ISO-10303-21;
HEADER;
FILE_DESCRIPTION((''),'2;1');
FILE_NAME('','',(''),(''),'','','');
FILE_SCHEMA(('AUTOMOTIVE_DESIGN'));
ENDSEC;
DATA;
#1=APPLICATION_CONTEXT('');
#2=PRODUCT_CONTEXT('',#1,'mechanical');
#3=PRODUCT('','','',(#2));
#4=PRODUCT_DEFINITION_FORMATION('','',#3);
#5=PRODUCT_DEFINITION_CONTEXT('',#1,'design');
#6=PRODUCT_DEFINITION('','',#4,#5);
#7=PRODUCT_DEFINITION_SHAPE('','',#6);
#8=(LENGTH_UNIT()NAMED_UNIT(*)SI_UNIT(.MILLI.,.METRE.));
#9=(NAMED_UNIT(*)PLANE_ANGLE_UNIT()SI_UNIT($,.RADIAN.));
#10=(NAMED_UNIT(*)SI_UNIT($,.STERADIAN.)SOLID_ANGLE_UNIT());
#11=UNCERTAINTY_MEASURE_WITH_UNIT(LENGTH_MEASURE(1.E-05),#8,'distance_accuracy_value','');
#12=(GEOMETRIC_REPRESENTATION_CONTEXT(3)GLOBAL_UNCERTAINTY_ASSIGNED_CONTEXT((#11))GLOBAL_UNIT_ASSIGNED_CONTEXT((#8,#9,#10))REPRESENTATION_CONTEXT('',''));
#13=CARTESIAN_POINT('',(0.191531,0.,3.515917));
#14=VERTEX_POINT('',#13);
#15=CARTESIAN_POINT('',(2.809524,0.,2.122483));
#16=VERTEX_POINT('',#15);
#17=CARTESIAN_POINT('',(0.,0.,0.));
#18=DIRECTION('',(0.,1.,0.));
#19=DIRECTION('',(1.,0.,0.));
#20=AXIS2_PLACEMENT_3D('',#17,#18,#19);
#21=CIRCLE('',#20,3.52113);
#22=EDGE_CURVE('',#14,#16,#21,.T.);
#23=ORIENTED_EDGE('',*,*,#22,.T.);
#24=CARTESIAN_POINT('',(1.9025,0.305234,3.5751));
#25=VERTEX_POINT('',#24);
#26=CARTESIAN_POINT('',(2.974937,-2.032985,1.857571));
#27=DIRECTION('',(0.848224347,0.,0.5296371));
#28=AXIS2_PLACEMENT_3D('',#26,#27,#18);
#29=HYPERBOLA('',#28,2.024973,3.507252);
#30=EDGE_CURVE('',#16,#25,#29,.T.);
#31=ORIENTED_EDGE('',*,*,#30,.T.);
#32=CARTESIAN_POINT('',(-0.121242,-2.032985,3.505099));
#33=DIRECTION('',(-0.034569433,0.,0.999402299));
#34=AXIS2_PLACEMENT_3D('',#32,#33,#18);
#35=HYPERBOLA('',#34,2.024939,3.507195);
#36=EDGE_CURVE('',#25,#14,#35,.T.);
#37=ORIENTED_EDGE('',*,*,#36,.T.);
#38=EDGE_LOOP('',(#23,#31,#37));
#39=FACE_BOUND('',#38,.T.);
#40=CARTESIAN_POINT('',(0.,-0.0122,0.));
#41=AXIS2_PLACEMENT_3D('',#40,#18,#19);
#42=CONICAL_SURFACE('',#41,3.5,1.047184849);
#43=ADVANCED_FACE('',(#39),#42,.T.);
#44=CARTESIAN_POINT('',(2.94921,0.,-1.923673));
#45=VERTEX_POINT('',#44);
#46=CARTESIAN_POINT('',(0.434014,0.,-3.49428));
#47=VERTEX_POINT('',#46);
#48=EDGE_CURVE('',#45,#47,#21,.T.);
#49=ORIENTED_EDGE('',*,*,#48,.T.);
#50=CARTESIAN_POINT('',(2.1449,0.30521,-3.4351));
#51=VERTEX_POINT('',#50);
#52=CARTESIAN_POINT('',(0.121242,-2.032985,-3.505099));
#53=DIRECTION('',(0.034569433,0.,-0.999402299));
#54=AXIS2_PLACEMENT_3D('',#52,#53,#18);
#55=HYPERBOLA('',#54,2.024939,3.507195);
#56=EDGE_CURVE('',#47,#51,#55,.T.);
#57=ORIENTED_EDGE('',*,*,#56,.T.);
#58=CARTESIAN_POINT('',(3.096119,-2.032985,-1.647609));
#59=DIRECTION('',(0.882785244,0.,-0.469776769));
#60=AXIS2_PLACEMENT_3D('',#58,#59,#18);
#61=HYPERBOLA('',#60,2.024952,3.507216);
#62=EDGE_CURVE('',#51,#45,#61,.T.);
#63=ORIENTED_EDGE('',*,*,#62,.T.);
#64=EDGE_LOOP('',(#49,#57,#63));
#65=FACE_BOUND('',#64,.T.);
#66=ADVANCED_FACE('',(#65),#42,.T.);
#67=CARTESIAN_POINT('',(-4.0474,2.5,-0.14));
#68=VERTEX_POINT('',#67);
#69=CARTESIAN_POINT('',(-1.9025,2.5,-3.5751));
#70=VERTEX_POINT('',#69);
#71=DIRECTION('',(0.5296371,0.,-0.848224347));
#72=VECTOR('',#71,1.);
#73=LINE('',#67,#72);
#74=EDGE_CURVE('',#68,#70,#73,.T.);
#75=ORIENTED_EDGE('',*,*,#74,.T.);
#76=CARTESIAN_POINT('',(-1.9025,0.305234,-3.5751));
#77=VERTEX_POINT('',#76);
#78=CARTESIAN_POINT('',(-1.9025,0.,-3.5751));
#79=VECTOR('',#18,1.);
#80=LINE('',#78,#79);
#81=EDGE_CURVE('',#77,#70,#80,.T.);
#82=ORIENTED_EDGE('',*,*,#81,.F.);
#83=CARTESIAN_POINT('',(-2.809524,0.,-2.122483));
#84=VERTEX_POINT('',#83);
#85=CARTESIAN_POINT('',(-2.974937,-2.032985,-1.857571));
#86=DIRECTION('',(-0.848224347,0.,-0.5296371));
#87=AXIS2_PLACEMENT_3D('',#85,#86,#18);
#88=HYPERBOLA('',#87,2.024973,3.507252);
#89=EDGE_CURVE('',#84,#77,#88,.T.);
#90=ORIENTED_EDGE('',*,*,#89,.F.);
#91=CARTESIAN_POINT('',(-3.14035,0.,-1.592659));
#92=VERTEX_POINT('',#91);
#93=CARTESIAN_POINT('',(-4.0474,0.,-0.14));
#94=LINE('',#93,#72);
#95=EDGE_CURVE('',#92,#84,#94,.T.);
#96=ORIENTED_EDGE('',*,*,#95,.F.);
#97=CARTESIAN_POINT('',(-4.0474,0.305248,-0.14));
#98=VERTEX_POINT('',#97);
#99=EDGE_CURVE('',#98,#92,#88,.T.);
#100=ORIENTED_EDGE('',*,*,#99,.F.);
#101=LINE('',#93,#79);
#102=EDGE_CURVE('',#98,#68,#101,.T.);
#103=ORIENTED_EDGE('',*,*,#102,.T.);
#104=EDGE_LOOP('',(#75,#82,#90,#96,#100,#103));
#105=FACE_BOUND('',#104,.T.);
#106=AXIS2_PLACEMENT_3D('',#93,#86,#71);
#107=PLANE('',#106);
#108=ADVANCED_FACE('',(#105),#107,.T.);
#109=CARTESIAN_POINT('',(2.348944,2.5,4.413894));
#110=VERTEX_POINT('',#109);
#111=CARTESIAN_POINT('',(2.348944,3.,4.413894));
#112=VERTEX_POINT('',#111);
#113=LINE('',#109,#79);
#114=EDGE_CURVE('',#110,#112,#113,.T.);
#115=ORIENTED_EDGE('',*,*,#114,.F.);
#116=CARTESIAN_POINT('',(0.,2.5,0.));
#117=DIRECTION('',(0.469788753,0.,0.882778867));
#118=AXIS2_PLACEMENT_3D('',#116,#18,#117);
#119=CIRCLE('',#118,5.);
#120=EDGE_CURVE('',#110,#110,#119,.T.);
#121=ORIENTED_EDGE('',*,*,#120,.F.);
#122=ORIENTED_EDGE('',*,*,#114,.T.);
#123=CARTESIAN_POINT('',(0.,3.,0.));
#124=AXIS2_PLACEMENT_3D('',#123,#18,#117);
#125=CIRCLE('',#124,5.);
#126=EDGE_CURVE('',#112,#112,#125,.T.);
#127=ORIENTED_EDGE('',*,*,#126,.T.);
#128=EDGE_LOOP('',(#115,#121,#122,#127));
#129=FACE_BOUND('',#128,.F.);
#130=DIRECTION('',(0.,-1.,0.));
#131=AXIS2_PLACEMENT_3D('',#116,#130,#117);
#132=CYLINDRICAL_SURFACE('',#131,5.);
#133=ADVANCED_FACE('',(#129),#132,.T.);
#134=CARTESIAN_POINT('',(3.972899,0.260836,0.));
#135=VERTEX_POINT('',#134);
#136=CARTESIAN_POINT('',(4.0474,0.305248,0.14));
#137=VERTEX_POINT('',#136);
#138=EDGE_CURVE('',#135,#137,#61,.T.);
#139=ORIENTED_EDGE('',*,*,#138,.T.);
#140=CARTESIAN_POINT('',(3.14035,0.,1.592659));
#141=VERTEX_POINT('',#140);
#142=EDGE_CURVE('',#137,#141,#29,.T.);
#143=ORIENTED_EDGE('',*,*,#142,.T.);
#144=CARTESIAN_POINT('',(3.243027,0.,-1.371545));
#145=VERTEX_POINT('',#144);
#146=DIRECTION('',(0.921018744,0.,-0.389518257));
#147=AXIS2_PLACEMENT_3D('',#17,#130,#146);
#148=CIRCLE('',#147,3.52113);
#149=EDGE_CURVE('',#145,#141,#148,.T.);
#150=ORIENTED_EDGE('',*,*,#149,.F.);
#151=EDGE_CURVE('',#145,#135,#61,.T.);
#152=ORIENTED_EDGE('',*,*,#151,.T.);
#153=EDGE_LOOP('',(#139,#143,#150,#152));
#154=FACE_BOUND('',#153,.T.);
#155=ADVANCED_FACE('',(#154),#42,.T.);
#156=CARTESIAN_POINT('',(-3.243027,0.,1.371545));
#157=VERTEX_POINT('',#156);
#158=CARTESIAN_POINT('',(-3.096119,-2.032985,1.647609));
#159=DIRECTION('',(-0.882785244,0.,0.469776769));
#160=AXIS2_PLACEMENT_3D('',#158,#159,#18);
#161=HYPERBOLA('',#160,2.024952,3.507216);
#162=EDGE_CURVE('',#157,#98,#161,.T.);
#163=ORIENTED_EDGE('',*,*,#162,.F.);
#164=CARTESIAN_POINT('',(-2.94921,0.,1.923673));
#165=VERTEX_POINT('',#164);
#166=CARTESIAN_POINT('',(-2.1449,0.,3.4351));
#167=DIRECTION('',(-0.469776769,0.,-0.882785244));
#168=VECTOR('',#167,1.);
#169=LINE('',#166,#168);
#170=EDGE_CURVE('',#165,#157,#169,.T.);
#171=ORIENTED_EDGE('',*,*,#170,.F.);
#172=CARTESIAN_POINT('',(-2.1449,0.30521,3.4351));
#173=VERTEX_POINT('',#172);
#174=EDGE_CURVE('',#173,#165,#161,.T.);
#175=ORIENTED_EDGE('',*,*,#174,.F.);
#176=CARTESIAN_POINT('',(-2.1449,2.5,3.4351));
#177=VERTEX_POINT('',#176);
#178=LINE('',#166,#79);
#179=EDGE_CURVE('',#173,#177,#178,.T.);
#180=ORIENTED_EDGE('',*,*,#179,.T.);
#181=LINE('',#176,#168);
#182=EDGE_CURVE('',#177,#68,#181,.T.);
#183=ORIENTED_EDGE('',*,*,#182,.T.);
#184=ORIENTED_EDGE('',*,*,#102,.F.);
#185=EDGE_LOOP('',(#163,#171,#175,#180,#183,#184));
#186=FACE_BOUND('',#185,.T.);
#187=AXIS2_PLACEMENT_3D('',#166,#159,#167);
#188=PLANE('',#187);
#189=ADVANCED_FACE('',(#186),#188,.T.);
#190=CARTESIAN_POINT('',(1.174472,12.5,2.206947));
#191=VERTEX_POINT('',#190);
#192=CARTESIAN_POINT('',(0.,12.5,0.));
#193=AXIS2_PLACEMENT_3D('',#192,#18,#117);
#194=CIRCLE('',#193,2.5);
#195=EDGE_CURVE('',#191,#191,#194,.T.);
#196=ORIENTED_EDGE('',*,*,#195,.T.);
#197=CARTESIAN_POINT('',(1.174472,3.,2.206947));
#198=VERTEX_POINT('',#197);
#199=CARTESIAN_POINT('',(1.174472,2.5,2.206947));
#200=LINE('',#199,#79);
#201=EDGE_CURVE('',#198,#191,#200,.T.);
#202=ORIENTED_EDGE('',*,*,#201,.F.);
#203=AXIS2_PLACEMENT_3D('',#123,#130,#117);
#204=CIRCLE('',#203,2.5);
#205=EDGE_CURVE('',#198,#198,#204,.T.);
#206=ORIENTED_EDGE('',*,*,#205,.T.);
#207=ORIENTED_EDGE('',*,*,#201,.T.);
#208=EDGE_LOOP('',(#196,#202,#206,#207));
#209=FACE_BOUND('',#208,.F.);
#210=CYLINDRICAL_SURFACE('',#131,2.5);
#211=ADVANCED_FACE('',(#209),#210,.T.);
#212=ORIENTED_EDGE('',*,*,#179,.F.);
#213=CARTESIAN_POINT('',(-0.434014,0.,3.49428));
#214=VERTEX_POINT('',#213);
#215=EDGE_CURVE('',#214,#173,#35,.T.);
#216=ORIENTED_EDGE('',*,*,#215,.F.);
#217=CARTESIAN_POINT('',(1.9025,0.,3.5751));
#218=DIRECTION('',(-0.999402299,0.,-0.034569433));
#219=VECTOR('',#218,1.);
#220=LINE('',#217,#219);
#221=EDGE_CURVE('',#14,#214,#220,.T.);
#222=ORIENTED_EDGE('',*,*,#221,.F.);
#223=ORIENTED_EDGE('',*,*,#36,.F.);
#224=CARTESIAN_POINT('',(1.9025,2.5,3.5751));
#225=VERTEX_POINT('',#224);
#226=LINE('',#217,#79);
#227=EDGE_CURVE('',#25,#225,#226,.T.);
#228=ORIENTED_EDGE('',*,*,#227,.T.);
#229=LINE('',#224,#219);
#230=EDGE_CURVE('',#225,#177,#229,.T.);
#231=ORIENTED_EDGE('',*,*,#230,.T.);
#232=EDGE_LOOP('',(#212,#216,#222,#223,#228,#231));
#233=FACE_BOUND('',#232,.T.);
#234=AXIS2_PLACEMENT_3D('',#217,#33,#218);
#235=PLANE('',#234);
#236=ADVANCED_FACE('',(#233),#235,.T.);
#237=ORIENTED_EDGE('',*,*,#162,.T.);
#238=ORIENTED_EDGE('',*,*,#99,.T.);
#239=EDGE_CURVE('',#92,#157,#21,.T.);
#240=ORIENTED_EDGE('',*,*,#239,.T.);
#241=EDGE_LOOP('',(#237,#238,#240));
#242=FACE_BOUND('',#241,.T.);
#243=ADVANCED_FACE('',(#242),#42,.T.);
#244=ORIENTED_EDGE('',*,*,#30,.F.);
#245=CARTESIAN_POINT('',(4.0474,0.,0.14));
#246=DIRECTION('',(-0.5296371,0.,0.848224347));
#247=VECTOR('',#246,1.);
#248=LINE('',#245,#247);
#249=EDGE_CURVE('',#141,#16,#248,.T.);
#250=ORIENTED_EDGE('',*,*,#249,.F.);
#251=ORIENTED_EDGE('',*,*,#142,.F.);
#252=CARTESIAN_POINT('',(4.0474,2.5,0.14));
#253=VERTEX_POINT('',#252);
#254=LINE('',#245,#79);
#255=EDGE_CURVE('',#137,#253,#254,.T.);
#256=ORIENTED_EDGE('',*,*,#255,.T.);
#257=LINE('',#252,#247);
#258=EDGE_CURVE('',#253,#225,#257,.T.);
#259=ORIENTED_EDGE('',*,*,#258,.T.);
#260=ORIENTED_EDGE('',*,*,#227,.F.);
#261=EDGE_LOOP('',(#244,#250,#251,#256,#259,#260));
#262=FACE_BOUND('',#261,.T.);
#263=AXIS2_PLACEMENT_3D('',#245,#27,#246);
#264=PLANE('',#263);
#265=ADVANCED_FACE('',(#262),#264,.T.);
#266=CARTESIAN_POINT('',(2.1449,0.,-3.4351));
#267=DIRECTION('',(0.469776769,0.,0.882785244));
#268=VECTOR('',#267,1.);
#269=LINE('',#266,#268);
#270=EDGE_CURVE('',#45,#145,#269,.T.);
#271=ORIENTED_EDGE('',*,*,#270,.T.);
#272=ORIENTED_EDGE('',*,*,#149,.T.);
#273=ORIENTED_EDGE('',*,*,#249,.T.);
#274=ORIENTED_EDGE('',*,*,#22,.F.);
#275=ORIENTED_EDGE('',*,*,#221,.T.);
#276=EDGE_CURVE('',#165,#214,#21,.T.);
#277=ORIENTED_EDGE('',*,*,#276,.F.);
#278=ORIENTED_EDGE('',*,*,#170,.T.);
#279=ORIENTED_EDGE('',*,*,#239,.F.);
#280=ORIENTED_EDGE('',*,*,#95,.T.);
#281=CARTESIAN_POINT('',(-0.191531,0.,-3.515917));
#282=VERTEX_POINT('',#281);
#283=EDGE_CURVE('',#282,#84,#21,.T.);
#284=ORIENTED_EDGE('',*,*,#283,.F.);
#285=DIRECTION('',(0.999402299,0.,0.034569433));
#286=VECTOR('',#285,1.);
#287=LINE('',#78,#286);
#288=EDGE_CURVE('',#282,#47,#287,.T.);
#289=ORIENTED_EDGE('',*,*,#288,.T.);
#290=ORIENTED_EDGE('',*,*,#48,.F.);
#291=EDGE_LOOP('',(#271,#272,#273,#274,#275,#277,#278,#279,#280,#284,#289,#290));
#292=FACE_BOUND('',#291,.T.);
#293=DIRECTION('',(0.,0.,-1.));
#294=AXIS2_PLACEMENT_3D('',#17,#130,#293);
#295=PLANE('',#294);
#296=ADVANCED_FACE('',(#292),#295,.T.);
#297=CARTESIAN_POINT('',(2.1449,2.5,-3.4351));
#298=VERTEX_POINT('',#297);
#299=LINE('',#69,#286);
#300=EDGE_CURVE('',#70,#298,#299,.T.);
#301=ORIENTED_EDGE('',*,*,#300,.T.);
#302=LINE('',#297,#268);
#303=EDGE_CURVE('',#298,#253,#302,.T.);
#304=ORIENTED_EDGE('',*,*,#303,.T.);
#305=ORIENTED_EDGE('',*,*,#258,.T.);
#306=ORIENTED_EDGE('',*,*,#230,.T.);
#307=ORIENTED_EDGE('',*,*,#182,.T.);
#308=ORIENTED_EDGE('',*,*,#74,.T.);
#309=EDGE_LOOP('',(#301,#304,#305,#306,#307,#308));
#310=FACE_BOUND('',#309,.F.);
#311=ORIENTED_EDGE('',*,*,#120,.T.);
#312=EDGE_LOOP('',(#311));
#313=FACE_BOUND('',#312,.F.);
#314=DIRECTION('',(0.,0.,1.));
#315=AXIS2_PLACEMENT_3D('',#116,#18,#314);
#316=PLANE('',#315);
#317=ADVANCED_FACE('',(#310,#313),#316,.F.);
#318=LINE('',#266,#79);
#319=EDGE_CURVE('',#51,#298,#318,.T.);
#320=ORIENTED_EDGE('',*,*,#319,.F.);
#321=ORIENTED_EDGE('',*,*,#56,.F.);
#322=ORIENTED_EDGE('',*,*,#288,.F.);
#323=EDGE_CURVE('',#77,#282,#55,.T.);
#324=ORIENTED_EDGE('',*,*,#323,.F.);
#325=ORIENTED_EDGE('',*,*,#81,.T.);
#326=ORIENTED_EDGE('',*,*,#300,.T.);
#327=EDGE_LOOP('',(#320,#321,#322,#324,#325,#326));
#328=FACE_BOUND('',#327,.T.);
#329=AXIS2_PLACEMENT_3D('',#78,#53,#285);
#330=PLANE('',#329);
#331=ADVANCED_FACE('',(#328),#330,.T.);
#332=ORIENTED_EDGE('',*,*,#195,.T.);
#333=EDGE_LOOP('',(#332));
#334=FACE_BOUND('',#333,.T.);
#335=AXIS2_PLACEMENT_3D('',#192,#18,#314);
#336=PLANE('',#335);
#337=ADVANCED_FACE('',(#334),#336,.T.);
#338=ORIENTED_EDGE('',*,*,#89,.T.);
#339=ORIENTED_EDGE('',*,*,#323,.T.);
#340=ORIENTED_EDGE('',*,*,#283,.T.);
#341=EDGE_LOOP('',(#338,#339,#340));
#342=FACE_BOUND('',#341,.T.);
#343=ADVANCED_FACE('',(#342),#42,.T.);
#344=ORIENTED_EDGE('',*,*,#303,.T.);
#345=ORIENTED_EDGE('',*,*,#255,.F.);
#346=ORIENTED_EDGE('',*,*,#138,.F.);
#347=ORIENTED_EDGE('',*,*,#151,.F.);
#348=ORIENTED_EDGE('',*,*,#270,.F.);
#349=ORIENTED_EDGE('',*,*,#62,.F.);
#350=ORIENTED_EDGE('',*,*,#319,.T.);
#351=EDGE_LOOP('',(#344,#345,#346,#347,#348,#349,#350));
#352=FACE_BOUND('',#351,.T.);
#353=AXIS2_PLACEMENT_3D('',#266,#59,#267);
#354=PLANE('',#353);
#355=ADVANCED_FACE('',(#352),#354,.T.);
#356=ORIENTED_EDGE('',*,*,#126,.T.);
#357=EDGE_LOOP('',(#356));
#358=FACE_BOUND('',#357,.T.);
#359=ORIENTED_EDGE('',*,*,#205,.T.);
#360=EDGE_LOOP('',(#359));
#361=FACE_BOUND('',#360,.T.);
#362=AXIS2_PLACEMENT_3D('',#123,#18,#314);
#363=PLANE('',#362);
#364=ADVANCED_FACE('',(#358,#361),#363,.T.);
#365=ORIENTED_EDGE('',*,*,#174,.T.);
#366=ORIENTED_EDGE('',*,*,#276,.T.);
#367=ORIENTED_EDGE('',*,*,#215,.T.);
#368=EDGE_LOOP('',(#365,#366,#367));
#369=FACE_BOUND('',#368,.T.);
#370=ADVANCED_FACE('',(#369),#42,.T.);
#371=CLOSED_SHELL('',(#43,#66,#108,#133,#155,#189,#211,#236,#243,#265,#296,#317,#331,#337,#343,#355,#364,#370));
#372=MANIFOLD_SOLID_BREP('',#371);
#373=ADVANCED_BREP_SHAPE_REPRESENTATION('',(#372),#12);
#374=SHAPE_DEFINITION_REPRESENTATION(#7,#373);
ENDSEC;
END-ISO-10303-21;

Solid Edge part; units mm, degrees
sketch "Sketch1" plane through (0, 0, 0) normal (0, -1, 0) x (1, 0, 0)
  line L0 (4.0474, 0.14) -> (1.9025, 3.5751)
  line L1 (1.9025, 3.5751) -> (-2.1449, 3.4351)
  line L2 (-2.1449, 3.4351) -> (-4.0474, -0.14)
  line L3 (-4.0474, -0.14) -> (-1.9025, -3.5751)
  line L4 (-1.9025, -3.5751) -> (2.1449, -3.4351)
  line L5 (2.1449, -3.4351) -> (4.0474, 0.14)
extrude "Protrusion1" add sketch "Sketch1" against normal blind 2.5
sketch "Sketch2" plane through (0, 2.5, 0) normal (0, 1, 0) x (0.4698, 0, 0.8828)
  circle A0 centre (0, 0) radius 5
extrude "ExtrudedProtrusion_4" add sketch "Sketch2" along normal blind 0.5
sketch "Sketch3" plane through (0, 2.5, 0) normal (0, 1, 0) x (0.4698, 0, 0.8828)
  circle A0 centre (0, 0) radius 2.5
extrude "ExtrudedProtrusion_5" add sketch "Sketch3" along normal blind 10
sketch "Sketch4" plane through (1.5498, 1.5498, 0) normal (0, 0, -1) x (-1, 0, 0)
  line L0 (-1.9502, -1.562) -> (-3.6822, -0.562)
  line L1 (1.5498, -1.562) -> (-1.9502, -1.562)
  line L2 (1.5498, -1.562) -> (1.5498, -1.5498)
revolve "RevolvedCutout1" cut sketch "Sketch4" angle 360 about axis through (0, -3.0266, 0) along (0, 1, 0) material side at (4.391, 0.4445, 0)
